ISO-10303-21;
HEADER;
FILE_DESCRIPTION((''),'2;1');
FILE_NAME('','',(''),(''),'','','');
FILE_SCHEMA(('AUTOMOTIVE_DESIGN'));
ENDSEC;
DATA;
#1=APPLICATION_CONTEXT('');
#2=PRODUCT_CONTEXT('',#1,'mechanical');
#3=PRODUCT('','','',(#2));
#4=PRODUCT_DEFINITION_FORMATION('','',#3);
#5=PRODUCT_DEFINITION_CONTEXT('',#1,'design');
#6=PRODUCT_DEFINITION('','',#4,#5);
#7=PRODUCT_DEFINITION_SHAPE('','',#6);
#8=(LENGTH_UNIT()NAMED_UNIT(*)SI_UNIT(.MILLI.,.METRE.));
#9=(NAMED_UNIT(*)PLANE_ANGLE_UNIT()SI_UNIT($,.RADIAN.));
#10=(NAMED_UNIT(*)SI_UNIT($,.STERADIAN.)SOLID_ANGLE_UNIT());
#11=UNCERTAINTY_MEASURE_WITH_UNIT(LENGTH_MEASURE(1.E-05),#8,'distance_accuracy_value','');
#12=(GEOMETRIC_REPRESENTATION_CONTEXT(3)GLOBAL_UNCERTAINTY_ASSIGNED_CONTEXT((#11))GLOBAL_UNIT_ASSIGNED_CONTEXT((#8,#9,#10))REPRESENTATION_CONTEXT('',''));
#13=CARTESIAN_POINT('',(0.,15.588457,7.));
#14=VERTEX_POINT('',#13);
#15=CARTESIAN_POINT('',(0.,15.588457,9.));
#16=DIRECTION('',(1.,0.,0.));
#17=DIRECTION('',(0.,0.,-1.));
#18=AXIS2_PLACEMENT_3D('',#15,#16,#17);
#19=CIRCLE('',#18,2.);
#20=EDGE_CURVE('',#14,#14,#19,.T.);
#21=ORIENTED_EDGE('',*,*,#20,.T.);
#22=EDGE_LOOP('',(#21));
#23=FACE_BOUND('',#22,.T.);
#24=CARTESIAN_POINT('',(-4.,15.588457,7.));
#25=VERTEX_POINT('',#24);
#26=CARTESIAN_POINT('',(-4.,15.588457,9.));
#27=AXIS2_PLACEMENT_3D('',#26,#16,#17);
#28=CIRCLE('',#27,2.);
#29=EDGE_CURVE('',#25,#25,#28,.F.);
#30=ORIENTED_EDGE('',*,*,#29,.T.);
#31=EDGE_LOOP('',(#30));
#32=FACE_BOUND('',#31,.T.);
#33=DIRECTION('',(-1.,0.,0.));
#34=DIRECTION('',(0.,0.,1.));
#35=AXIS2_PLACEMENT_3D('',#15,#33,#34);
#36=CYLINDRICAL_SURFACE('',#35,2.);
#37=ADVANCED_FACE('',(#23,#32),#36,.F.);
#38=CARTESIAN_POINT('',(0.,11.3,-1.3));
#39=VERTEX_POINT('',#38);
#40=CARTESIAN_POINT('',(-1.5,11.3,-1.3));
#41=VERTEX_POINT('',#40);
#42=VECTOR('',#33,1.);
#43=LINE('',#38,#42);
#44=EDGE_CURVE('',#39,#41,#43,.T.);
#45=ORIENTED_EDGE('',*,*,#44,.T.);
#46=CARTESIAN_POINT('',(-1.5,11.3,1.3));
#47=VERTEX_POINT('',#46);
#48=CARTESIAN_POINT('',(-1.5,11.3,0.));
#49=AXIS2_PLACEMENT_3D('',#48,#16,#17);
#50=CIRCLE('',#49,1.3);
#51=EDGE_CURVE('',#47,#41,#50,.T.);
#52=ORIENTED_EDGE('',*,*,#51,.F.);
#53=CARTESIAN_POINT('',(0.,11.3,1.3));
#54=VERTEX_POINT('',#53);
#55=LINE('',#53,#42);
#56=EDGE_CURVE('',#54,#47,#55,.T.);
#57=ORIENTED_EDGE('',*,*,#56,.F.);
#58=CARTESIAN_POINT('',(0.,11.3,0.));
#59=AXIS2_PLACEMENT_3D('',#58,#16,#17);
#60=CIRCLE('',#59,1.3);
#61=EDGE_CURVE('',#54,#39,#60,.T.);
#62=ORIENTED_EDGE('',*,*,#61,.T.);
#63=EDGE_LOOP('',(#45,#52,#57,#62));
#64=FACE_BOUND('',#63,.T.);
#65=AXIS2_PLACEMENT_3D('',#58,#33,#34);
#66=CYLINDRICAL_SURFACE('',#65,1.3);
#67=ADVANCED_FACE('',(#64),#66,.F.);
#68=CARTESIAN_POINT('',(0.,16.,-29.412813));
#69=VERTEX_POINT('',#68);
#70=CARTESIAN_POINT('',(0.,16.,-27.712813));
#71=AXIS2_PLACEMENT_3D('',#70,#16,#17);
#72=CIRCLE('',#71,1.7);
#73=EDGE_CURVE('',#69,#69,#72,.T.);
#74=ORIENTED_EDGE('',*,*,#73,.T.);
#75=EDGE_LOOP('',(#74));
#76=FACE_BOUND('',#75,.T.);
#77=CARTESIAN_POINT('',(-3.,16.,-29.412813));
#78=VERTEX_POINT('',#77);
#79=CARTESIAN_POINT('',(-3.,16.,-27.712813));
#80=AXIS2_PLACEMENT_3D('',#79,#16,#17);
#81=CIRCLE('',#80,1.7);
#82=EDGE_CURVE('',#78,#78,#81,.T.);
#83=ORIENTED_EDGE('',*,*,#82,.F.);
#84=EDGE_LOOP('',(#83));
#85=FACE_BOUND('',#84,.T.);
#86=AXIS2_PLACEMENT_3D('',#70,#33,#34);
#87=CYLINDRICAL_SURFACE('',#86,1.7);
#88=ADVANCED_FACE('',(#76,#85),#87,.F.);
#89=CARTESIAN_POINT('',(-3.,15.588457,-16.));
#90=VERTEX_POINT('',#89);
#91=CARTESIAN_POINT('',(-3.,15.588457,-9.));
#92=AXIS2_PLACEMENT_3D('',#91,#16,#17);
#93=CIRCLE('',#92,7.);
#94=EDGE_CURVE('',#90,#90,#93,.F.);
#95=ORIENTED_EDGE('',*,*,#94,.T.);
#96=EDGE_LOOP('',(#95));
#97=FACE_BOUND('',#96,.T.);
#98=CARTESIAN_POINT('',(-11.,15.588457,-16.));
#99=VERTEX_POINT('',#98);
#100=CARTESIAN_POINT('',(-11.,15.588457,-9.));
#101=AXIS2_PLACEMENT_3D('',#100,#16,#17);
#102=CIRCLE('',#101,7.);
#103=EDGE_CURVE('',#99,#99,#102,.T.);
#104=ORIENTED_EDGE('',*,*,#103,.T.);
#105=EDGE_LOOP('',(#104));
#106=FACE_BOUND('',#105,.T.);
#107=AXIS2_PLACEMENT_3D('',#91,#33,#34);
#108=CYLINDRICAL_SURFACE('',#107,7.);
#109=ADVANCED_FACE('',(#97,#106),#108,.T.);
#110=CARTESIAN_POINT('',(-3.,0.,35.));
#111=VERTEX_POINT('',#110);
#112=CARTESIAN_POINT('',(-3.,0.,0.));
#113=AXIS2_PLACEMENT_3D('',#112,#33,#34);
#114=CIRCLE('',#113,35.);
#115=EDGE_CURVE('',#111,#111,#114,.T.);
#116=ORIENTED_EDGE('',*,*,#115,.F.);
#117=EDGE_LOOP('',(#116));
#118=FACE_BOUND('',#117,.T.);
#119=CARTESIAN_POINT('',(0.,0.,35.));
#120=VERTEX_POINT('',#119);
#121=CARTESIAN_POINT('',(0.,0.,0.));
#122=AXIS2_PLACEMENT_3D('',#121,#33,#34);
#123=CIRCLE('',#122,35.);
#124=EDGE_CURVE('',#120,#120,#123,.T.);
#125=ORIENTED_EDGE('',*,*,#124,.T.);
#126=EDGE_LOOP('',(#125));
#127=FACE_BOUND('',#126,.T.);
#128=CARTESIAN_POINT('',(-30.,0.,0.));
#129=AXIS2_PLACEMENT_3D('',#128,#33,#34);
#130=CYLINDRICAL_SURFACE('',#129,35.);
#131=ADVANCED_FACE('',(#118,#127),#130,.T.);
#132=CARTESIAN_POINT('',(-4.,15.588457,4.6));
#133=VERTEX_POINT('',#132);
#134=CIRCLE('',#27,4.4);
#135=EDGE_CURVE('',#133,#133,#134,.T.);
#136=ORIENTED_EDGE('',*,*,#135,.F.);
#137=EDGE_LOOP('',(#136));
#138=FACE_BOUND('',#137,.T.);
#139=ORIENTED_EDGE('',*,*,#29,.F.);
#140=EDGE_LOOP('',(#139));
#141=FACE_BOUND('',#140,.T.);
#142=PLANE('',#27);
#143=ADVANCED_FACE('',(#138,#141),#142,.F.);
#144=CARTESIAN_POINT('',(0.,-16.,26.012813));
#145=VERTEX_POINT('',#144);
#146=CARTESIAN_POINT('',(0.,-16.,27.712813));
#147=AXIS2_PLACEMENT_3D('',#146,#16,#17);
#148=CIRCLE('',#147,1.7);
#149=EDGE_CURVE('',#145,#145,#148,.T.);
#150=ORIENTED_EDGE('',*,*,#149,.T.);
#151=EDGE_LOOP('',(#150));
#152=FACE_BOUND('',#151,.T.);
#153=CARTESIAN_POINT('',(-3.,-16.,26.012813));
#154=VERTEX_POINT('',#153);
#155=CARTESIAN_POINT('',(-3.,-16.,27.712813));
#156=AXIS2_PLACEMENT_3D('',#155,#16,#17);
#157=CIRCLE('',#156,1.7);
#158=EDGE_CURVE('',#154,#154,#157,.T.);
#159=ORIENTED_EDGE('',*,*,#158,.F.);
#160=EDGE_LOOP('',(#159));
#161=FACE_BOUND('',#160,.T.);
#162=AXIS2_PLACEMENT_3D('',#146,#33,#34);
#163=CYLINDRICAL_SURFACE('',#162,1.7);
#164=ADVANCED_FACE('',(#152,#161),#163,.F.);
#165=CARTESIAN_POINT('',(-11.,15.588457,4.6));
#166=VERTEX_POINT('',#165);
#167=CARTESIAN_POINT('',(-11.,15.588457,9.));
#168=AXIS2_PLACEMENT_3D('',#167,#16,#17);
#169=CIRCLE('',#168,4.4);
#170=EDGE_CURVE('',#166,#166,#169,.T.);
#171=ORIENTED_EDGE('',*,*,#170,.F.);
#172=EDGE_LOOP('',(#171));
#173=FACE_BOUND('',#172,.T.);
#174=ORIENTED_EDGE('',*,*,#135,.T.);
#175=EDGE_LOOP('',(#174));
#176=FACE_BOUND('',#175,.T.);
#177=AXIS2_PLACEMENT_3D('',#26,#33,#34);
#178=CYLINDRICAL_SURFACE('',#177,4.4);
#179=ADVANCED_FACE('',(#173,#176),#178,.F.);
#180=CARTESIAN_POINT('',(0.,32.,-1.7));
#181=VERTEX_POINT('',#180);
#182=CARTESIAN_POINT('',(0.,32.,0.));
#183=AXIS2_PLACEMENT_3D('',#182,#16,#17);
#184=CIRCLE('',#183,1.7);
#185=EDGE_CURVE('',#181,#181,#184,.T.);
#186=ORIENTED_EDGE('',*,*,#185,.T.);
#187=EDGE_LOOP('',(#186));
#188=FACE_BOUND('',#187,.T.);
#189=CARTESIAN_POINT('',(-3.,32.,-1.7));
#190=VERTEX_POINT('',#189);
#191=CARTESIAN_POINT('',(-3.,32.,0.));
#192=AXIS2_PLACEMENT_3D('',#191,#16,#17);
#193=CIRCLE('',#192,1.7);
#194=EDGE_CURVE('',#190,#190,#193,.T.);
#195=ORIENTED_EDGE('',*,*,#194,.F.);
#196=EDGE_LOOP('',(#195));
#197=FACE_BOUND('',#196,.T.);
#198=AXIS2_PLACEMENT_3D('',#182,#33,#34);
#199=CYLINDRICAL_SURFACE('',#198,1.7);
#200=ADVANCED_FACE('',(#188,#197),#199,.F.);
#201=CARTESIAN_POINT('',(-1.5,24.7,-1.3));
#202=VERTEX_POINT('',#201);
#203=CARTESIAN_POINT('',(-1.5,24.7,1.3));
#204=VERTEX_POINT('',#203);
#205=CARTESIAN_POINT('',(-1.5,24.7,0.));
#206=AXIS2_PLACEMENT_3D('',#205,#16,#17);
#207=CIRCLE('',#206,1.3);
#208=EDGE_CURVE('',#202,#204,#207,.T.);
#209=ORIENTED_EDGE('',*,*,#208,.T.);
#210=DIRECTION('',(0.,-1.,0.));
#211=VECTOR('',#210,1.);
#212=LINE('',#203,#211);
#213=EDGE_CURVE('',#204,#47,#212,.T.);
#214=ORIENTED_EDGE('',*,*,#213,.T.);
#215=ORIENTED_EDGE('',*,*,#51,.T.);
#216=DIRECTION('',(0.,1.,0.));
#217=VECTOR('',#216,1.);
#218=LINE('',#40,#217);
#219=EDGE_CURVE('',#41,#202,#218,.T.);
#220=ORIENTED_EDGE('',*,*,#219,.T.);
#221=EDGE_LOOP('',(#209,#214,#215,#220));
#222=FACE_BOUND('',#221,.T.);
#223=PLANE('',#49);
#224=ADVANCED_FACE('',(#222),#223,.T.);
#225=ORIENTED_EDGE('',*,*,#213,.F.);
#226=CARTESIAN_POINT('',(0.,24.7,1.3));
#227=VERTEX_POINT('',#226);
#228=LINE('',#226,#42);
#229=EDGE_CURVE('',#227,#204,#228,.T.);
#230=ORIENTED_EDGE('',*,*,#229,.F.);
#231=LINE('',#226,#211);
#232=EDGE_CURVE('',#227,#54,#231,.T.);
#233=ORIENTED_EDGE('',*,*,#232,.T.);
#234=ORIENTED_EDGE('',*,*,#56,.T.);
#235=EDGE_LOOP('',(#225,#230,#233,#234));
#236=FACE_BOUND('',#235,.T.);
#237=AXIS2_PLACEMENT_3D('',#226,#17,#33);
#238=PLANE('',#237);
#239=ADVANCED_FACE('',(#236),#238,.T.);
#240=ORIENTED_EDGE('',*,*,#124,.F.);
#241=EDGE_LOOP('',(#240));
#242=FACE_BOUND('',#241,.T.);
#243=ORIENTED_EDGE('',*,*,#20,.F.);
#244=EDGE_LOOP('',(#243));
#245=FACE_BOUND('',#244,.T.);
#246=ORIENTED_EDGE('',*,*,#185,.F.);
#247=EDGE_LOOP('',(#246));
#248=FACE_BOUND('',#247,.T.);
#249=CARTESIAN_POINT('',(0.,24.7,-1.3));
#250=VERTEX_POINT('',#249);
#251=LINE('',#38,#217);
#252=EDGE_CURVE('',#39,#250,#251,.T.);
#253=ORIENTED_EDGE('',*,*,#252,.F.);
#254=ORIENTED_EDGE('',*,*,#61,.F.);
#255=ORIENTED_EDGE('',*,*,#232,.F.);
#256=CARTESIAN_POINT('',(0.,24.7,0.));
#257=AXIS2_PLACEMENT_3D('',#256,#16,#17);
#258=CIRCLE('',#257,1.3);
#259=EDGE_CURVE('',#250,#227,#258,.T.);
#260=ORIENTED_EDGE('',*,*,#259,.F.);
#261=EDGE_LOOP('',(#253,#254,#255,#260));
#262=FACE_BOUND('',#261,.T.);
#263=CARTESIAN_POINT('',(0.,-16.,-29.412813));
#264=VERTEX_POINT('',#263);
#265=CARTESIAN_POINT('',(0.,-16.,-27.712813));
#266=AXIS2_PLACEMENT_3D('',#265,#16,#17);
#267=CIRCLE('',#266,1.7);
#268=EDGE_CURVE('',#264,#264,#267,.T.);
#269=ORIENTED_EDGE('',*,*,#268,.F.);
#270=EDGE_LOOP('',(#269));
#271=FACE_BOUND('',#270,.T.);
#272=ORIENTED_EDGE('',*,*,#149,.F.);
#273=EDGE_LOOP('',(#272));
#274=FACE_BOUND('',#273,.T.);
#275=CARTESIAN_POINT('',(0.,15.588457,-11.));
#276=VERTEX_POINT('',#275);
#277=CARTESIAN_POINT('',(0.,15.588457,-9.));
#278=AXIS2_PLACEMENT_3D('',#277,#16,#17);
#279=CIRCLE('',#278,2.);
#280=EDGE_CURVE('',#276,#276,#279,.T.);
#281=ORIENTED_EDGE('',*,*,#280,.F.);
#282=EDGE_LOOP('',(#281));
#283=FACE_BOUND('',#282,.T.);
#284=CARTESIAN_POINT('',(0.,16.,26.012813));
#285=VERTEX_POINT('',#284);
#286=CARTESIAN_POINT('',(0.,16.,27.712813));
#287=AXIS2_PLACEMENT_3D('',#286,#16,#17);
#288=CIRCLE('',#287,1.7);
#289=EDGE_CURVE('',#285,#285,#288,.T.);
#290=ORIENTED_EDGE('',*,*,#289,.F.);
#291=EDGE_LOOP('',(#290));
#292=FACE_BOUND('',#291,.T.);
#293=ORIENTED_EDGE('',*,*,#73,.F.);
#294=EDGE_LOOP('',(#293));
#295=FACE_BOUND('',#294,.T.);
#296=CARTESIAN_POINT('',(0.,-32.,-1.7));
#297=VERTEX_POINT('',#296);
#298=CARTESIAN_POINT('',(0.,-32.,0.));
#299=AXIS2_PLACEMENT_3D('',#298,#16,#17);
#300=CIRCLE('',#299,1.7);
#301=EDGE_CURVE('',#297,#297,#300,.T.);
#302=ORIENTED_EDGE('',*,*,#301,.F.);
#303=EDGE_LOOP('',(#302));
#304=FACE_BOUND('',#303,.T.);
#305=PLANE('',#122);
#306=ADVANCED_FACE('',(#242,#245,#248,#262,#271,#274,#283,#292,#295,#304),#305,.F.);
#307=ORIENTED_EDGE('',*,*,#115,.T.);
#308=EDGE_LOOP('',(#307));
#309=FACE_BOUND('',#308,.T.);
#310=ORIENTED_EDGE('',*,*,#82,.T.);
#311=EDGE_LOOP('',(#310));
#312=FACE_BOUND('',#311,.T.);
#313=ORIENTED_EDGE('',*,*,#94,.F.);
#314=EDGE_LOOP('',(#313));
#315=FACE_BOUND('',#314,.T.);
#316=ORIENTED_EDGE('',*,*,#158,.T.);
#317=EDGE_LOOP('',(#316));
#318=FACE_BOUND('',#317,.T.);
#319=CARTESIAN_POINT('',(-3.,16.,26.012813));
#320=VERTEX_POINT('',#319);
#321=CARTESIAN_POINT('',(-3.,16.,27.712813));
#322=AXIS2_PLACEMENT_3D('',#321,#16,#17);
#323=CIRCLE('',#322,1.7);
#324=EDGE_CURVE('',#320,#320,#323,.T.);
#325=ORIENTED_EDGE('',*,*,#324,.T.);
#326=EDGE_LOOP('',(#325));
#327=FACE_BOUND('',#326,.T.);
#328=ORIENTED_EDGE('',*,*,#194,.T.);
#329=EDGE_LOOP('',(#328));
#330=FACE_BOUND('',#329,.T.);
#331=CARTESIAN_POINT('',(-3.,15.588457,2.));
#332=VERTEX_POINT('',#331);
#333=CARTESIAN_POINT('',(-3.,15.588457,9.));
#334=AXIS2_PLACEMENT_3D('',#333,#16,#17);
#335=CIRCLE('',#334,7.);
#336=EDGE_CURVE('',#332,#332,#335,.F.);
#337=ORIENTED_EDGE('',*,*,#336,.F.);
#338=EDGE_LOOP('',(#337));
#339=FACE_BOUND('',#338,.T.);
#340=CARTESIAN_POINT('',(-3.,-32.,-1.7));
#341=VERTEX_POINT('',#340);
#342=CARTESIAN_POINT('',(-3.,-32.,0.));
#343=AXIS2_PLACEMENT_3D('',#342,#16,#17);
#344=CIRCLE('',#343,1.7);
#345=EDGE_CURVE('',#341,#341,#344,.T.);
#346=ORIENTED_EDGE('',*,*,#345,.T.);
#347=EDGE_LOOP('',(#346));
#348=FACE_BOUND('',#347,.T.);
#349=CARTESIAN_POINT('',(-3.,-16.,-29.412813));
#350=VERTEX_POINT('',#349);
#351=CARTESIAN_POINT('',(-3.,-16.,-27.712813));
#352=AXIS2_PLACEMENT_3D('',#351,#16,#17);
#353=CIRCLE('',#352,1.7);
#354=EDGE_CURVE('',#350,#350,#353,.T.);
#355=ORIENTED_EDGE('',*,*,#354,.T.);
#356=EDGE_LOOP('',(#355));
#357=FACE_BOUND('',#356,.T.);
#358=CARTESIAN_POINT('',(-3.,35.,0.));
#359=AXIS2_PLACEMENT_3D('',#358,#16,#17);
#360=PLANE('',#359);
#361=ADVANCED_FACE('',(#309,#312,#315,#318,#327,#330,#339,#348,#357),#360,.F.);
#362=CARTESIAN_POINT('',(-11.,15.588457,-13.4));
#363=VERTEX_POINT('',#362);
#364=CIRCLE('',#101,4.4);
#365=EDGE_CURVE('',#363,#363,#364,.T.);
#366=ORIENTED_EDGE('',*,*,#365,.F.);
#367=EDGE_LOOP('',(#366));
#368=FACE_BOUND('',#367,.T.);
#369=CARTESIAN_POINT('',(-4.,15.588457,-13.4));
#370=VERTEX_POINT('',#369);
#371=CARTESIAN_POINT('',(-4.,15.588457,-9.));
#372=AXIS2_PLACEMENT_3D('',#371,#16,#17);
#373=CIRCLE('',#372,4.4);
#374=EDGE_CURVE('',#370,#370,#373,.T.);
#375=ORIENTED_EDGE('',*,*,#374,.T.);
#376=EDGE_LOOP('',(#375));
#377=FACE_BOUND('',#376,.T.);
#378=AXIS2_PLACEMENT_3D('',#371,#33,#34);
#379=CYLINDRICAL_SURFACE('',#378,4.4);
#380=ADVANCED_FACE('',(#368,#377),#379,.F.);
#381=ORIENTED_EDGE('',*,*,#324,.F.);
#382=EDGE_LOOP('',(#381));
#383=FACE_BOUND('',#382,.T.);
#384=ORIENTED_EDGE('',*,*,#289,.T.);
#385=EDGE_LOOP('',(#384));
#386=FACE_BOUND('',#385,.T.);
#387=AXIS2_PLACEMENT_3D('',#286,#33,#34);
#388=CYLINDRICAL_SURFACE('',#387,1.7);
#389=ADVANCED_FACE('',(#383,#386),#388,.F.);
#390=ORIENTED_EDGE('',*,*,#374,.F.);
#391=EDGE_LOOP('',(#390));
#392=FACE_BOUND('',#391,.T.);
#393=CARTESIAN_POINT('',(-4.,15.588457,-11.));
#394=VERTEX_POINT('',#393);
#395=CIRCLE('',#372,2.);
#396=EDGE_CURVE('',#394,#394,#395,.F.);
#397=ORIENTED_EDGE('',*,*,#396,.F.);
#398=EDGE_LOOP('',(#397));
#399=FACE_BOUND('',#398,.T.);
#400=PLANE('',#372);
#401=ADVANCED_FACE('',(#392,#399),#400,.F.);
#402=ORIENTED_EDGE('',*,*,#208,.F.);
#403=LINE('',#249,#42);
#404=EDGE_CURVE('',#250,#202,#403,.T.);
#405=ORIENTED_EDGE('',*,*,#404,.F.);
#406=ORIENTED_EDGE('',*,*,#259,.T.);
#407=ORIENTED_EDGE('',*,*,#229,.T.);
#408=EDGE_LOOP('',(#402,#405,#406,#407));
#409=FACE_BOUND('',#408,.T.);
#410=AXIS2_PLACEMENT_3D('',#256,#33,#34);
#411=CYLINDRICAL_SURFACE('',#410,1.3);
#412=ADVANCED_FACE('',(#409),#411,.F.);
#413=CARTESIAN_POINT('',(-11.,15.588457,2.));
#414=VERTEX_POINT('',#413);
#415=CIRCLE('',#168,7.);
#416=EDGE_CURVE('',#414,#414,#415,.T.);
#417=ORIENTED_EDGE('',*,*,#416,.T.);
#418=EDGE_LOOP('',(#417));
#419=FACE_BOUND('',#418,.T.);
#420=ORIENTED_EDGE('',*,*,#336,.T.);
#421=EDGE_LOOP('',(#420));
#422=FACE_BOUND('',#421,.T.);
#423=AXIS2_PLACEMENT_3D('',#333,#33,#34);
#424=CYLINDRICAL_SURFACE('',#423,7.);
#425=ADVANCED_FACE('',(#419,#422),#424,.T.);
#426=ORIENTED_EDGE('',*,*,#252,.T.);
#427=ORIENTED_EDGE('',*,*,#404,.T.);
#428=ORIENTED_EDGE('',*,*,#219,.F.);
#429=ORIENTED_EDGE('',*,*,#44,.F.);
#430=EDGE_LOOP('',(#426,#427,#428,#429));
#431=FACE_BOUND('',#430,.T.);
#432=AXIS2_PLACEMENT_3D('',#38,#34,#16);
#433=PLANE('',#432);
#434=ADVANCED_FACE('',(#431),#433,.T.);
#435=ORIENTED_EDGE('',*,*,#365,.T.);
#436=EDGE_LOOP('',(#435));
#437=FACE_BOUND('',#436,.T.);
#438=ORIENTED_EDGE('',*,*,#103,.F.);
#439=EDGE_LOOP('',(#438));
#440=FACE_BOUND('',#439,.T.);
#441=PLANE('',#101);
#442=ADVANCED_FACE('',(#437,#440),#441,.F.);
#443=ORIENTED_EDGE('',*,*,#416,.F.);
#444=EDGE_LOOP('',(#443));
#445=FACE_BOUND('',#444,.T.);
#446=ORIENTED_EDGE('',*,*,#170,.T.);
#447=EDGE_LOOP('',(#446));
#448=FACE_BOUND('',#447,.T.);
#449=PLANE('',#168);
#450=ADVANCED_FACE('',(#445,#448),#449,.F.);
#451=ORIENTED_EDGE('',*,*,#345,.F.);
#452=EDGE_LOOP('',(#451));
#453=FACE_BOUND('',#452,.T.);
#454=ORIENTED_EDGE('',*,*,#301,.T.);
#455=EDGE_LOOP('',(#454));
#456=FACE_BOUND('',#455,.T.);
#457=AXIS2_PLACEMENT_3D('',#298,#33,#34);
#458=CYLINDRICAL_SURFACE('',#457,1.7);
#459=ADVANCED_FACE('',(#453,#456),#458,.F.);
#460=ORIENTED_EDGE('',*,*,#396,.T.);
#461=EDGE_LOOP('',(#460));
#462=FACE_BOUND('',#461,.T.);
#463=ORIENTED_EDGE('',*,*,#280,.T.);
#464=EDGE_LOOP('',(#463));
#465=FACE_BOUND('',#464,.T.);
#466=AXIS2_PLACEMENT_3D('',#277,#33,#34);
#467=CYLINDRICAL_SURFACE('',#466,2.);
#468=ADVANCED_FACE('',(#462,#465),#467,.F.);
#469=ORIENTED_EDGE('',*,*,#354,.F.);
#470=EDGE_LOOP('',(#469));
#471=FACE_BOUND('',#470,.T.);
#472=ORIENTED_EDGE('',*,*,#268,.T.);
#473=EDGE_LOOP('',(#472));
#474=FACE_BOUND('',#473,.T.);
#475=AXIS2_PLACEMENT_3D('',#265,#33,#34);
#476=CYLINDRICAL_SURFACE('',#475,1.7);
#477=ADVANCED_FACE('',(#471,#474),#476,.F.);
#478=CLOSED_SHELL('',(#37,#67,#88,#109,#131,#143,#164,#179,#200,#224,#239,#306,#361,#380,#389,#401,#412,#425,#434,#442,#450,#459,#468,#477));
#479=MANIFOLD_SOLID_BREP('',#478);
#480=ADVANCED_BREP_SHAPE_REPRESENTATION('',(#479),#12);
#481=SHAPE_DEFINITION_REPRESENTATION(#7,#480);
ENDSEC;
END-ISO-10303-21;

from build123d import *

# Parameters (mm, degrees)
COVER_DISK_OD70_THICKNESS3_W                   = 3
COVER_DISK_OD70_THICKNESS3_H                   = 35
INTEGRAL_START                                 = -11
TWO_INTEGRAL_OD14_PORT_BOSSES_SKETCH_R         = 7
INTEGRAL_PORT_BOSSES_REAR8MM_DEPTH             = 8
SIX_START                                      = -3
SIX_M3_CLEARANCE_HOLES_DIAMETER3P4_P_2_R       = 1.7
SIX_M3_CLEARANCE_HOLES_DIAMETER3P4_PCD64_DEPTH = 3
TWO_START                                      = -11
TWO_G1_8_TAPPING_PILOT_ENVELOPES_DIA_2_R       = 4.4
TWO_G1_8_TAPPING_PILOT_ENVELOPES_DIAMETE_DEPTH = 7
TWO_WATER_PASSAGES_DIAMETER4_SKETCH_R          = 2
TWO_WATER_PASSAGES_DIAMETER4_DEPTH             = 11
INTERNAL_START                                 = -1.5
INTERNAL_BYPASS_STRIP_GROOVE_LENGTH16_WI_DEPTH = 1.5


with BuildPart() as part:
    # Cover disk OD70 thickness3 → One-piece copper cover blank (revolve)
    with BuildSketch(Plane.XY, mode=Mode.PRIVATE) as one_piece_copper_cover_blank_sk:
        with Locations((-1.5, 17.5)):
            Rectangle(COVER_DISK_OD70_THICKNESS3_W, COVER_DISK_OD70_THICKNESS3_H)
    revolve(one_piece_copper_cover_blank_sk.sketch.rotate(Axis((-30, 0, 0), (1, 0, 0)), 90), axis=Axis((-30, 0, 0), (1, 0, 0)))

    # Two integral OD14 port bosses sketch → Integral port bosses rear8mm (add)
    with BuildSketch(Plane(origin=(0, 0, 0), x_dir=(0, 0, -1), z_dir=(1, 0, 0)).offset(INTEGRAL_START)):
        with Locations((-9, 15.588457268)):
            Circle(TWO_INTEGRAL_OD14_PORT_BOSSES_SKETCH_R)
        with Locations((9, 15.588457268)):
            Circle(TWO_INTEGRAL_OD14_PORT_BOSSES_SKETCH_R)
    extrude(amount=INTEGRAL_PORT_BOSSES_REAR8MM_DEPTH)

    # Six M3 clearance holes diameter3p4 P 2 → Six M3 clearance holes diameter3p4 PCD64 (cut)
    with BuildSketch(Plane(origin=(0, 0, 0), x_dir=(0, 0, -1), z_dir=(1, 0, 0)).offset(SIX_START)):
        with Locations((0, 32)):
            Circle(SIX_M3_CLEARANCE_HOLES_DIAMETER3P4_P_2_R)
        with Locations((-27.712812921, 16)):
            Circle(SIX_M3_CLEARANCE_HOLES_DIAMETER3P4_P_2_R)
        with Locations((-27.712812921, -16)):
            Circle(SIX_M3_CLEARANCE_HOLES_DIAMETER3P4_P_2_R)
        with Locations((0, -32)):
            Circle(SIX_M3_CLEARANCE_HOLES_DIAMETER3P4_P_2_R)
        with Locations((27.712812921, -16)):
            Circle(SIX_M3_CLEARANCE_HOLES_DIAMETER3P4_P_2_R)
        with Locations((27.712812921, 16)):
            Circle(SIX_M3_CLEARANCE_HOLES_DIAMETER3P4_P_2_R)
    extrude(amount=SIX_M3_CLEARANCE_HOLES_DIAMETER3P4_PCD64_DEPTH, mode=Mode.SUBTRACT)

    # Two G1-8 tapping pilot envelopes dia 2 → Two G1-8 tapping pilot envelopes diamete (cut)
    with BuildSketch(Plane(origin=(0, 0, 0), x_dir=(0, 0, -1), z_dir=(1, 0, 0)).offset(TWO_START)):
        with Locations((-9, 15.588457268)):
            Circle(TWO_G1_8_TAPPING_PILOT_ENVELOPES_DIA_2_R)
        with Locations((9, 15.588457268)):
            Circle(TWO_G1_8_TAPPING_PILOT_ENVELOPES_DIA_2_R)
    extrude(amount=TWO_G1_8_TAPPING_PILOT_ENVELOPES_DIAMETE_DEPTH, mode=Mode.SUBTRACT)

    # Two water passages diameter4 sketch → Two water passages diameter4 (cut)
    with BuildSketch(Plane(origin=(0, 0, 0), x_dir=(0, 0, -1), z_dir=(1, 0, 0)).offset(TWO_START)):
        with Locations((-9, 15.588457268)):
            Circle(TWO_WATER_PASSAGES_DIAMETER4_SKETCH_R)
        with Locations((9, 15.588457268)):
            Circle(TWO_WATER_PASSAGES_DIAMETER4_SKETCH_R)
    extrude(amount=TWO_WATER_PASSAGES_DIAMETER4_DEPTH, mode=Mode.SUBTRACT)

    # Internal bypass-strip groove length1 2 → Internal bypass-strip groove length16 wi (cut)
    with BuildSketch(Plane(origin=(0, 0, 0), x_dir=(0, 0, -1), z_dir=(1, 0, 0)).offset(INTERNAL_START)):
        with BuildLine():
            Line((1.3, 11.3), (1.3, 24.7))
            ThreePointArc((1.3, 24.7), (0, 26), (-1.3, 24.7))
            Line((-1.3, 24.7), (-1.3, 11.3))
            ThreePointArc((-1.3, 11.3), (0, 10), (1.3, 11.3))
        make_face()
    extrude(amount=INTERNAL_BYPASS_STRIP_GROOVE_LENGTH16_WI_DEPTH, mode=Mode.SUBTRACT)


solid = part.part
